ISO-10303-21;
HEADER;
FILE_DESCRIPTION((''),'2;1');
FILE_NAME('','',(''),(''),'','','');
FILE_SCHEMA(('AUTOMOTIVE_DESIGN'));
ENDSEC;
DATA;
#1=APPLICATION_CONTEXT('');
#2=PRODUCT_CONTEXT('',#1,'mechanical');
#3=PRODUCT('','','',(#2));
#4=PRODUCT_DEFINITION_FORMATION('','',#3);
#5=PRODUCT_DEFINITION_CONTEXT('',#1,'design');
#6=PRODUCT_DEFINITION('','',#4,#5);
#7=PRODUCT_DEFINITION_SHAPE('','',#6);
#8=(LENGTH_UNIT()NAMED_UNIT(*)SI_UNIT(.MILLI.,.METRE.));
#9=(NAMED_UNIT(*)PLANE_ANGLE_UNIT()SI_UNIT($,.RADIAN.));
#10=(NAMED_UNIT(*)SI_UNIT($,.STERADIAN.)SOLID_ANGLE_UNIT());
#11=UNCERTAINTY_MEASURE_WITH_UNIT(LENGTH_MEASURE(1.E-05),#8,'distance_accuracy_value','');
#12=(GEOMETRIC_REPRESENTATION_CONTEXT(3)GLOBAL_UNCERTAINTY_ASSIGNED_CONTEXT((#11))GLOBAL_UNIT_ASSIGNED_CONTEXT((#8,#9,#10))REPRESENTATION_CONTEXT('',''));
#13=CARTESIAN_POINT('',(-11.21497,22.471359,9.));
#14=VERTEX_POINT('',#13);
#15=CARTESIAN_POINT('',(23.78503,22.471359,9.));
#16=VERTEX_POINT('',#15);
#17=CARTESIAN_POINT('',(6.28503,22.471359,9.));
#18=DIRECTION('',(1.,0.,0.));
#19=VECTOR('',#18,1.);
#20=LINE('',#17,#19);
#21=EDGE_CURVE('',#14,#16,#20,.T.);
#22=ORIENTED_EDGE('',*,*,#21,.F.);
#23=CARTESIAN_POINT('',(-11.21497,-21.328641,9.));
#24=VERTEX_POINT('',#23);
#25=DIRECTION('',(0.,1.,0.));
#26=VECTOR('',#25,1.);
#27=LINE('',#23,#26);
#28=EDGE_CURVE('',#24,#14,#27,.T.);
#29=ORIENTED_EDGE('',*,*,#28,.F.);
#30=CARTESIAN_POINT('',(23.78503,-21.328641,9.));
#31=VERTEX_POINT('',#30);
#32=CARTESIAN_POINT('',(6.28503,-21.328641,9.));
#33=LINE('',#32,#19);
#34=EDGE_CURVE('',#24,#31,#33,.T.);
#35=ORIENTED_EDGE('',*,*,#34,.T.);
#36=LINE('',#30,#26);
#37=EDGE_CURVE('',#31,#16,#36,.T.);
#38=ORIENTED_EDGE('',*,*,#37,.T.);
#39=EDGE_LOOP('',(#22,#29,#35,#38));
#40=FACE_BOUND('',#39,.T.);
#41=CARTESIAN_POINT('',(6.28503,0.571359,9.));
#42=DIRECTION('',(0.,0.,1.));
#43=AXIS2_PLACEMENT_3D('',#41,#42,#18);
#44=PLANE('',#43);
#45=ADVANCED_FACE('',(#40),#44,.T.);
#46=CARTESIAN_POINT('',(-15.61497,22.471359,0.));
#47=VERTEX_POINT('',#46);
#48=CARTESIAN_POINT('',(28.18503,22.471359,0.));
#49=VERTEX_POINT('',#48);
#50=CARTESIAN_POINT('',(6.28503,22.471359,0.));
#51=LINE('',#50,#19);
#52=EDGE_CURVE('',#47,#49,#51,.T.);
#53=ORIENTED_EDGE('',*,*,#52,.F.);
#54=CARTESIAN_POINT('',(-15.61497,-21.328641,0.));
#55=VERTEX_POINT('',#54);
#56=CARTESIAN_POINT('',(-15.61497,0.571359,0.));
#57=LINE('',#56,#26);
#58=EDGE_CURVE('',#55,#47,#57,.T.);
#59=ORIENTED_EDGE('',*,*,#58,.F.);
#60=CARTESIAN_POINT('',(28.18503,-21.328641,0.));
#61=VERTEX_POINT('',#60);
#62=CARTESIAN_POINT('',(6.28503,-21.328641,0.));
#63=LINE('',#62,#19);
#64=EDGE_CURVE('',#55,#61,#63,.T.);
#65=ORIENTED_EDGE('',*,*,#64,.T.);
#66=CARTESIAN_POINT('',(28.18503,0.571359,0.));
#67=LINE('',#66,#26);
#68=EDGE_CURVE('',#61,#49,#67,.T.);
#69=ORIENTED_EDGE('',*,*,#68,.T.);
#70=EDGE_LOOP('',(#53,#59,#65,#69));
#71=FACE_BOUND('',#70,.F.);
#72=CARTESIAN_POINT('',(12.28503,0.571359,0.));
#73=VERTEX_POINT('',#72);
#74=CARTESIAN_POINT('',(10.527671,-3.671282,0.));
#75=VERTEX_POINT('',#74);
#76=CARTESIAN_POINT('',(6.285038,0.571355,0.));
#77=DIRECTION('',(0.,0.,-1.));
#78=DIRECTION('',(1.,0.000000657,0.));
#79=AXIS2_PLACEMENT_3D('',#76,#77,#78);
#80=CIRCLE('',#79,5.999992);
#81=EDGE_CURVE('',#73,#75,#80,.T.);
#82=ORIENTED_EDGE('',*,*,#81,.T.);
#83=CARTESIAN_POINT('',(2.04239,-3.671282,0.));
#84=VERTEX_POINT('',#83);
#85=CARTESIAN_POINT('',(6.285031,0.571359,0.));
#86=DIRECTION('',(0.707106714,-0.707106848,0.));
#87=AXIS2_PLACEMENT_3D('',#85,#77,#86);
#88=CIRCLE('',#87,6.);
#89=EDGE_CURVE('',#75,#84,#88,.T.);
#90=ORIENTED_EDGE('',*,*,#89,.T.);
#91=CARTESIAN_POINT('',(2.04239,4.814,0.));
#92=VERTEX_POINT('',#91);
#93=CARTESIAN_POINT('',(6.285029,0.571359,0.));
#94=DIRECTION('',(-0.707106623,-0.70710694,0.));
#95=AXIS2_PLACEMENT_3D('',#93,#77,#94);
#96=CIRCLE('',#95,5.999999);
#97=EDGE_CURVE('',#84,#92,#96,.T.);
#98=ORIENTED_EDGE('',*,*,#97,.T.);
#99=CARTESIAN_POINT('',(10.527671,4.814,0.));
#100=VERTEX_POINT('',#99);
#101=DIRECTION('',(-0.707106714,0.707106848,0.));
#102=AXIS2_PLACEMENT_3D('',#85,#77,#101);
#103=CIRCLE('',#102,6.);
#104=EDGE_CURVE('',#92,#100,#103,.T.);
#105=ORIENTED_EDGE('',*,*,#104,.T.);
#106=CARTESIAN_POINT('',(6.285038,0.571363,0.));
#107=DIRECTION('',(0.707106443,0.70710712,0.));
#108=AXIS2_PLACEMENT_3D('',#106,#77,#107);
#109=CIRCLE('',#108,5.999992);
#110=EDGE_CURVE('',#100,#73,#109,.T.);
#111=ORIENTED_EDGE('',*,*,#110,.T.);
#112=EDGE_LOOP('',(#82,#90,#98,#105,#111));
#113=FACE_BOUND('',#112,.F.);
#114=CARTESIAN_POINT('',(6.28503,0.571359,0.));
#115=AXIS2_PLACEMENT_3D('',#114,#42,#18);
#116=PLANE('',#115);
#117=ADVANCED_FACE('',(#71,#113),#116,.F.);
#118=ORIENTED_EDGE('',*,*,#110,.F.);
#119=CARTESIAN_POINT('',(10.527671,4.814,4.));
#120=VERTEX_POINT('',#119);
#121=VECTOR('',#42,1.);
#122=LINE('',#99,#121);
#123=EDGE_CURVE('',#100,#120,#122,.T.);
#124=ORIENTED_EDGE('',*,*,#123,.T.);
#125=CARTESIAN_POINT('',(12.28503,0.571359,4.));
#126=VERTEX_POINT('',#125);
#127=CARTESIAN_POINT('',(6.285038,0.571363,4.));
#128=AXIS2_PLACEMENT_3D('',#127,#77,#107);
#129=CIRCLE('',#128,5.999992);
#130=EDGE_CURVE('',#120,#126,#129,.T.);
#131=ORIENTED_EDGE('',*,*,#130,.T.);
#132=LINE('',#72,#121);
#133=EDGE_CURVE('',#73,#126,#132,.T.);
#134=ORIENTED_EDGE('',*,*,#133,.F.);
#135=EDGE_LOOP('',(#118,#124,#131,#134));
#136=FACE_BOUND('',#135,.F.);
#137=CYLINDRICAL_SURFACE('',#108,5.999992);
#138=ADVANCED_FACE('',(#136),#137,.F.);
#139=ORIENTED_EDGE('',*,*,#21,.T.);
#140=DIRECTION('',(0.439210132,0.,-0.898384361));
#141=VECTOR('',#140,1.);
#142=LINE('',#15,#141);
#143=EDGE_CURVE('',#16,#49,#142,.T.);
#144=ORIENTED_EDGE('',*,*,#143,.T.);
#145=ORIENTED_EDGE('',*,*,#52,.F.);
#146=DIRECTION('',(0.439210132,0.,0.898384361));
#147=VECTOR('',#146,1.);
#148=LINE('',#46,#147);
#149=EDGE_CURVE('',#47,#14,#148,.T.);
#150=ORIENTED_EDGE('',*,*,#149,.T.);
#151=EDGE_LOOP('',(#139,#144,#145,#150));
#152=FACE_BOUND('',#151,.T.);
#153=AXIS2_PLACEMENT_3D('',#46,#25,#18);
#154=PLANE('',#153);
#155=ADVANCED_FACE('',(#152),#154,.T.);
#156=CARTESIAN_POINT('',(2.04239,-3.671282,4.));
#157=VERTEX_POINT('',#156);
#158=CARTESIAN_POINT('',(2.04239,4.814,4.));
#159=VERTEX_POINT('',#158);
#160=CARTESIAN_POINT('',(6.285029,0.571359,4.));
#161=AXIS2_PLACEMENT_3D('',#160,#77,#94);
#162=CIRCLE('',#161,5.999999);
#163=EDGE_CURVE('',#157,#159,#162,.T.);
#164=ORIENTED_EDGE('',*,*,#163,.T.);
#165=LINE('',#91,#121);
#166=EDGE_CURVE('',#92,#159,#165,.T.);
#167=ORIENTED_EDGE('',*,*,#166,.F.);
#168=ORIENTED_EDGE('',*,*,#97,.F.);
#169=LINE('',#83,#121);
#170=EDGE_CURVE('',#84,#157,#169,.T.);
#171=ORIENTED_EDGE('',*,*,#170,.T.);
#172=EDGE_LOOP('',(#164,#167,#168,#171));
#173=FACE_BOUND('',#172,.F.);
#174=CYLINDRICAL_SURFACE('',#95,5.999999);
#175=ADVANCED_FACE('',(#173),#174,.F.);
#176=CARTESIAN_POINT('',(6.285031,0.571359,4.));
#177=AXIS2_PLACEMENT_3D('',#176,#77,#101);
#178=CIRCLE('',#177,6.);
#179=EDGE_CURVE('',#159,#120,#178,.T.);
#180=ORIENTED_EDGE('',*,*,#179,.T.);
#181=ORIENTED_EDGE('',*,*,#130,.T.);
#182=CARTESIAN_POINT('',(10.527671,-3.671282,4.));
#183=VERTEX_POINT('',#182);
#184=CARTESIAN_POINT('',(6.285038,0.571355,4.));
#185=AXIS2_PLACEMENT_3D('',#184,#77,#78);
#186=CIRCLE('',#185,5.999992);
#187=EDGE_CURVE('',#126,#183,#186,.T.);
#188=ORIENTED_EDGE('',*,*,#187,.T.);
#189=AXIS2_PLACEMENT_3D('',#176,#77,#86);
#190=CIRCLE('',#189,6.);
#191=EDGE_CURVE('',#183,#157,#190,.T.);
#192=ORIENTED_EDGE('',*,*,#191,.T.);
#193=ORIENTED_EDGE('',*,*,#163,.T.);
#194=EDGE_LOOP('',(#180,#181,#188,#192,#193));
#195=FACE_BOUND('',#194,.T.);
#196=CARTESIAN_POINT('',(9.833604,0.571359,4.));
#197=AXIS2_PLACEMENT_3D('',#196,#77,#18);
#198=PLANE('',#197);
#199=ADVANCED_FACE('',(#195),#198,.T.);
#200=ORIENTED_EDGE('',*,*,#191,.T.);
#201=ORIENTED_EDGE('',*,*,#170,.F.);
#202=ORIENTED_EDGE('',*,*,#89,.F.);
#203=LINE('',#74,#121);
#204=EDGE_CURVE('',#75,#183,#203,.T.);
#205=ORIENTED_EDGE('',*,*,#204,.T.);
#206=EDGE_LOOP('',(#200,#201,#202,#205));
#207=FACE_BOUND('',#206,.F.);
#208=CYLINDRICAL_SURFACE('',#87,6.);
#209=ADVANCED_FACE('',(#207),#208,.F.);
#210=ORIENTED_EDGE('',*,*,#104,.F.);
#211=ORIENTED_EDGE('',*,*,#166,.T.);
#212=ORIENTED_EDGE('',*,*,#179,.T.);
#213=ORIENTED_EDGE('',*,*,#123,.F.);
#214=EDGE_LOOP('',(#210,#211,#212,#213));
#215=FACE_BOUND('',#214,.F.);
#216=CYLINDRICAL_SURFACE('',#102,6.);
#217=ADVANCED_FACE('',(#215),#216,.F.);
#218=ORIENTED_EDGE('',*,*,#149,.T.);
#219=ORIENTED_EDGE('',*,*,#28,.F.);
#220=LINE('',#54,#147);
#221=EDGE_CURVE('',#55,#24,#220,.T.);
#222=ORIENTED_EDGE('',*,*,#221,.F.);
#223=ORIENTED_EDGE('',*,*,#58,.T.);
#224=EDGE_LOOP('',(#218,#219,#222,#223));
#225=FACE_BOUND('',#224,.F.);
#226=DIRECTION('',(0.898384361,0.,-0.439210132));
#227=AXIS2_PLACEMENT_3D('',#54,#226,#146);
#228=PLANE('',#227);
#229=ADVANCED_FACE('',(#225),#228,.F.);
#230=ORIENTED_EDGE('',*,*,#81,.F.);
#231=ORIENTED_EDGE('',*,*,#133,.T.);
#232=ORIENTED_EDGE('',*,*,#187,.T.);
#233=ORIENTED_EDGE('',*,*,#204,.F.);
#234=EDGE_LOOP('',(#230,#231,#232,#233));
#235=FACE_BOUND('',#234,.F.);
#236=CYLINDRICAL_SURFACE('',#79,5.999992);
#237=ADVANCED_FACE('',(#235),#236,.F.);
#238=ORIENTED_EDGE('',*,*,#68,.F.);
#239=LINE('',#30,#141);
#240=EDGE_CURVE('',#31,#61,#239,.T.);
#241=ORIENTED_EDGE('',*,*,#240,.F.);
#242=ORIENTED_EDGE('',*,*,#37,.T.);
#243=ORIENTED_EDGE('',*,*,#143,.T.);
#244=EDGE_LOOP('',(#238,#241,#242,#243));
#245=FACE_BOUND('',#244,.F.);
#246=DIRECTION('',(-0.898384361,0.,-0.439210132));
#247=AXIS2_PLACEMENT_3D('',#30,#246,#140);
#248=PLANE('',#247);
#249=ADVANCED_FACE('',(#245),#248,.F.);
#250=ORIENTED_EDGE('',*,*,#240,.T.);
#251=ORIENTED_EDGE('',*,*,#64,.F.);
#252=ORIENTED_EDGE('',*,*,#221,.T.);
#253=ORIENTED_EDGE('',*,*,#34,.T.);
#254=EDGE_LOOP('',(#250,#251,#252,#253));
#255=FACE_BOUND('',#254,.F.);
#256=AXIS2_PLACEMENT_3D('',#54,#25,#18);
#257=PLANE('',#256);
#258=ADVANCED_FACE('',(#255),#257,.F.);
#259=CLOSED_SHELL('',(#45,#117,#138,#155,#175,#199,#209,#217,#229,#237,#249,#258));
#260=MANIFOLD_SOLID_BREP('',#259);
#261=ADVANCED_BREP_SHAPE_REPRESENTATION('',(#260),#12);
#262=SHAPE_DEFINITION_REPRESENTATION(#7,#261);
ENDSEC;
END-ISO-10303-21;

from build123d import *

# Parameters (mm, degrees)
F0_W     = 43.8
F0_H     = 43.8
F1_DEPTH = 9
F3_DEPTH = 43.8
F5_DEPTH = 4


with BuildPart() as f1:
    # F0 (on Top) → F1 (new body)
    with BuildSketch(Plane.XY):
        with Locations((6.28503, 0.571359)):
            Rectangle(F0_W, F0_H)
    extrude(amount=F1_DEPTH)

    # F2 (on face) → F3 (cut, through all)
    with BuildSketch(Plane.XZ.offset(21.328641)):
        Polygon((-15.61497, 0), (-11.21497, 9), (-15.61497, 9), align=None)
        Polygon((28.18503, 9), (23.78503, 9), (28.18503, 0), align=None)
    extrude(amount=-F3_DEPTH, mode=Mode.SUBTRACT)

    # F4 (on face) → F5 (cut)
    with BuildSketch(Plane(origin=(0, 0, 0), x_dir=(1, 0, 0), z_dir=(0, 0, -1))):
        with BuildLine():
            ThreePointArc((10.527671, -4.814), (11.828308, -2.86746), (12.28503, -0.571359))
            ThreePointArc((12.28503, -0.571359), (11.828308, 1.724742), (10.527671, 3.671282))
            Line((10.527671, 3.671282), (6.28503, -0.571359))
            Line((6.28503, -0.571359), (10.527671, -4.814))
        make_face()
        with BuildLine():
            Line((6.28503, -0.571359), (10.527671, 3.671282))
            ThreePointArc((10.527671, 3.671282), (6.28503, 5.428641), (2.04239, 3.671282))
            Line((2.04239, 3.671282), (6.28503, -0.571359))
        make_face()
        with BuildLine():
            ThreePointArc((2.04239, -4.814), (6.28503, -6.571359), (10.527671, -4.814))
            Line((10.527671, -4.814), (6.28503, -0.571359))
            Line((6.28503, -0.571359), (2.04239, -4.814))
        make_face()
        with BuildLine():
            Line((6.28503, -0.571359), (2.04239, 3.671282))
            ThreePointArc((2.04239, 3.671282), (0.28503, -0.571359), (2.04239, -4.814))
            Line((2.04239, -4.814), (6.28503, -0.571359))
        make_face()
    extrude(amount=-F5_DEPTH, mode=Mode.SUBTRACT)


solid = f1.part
